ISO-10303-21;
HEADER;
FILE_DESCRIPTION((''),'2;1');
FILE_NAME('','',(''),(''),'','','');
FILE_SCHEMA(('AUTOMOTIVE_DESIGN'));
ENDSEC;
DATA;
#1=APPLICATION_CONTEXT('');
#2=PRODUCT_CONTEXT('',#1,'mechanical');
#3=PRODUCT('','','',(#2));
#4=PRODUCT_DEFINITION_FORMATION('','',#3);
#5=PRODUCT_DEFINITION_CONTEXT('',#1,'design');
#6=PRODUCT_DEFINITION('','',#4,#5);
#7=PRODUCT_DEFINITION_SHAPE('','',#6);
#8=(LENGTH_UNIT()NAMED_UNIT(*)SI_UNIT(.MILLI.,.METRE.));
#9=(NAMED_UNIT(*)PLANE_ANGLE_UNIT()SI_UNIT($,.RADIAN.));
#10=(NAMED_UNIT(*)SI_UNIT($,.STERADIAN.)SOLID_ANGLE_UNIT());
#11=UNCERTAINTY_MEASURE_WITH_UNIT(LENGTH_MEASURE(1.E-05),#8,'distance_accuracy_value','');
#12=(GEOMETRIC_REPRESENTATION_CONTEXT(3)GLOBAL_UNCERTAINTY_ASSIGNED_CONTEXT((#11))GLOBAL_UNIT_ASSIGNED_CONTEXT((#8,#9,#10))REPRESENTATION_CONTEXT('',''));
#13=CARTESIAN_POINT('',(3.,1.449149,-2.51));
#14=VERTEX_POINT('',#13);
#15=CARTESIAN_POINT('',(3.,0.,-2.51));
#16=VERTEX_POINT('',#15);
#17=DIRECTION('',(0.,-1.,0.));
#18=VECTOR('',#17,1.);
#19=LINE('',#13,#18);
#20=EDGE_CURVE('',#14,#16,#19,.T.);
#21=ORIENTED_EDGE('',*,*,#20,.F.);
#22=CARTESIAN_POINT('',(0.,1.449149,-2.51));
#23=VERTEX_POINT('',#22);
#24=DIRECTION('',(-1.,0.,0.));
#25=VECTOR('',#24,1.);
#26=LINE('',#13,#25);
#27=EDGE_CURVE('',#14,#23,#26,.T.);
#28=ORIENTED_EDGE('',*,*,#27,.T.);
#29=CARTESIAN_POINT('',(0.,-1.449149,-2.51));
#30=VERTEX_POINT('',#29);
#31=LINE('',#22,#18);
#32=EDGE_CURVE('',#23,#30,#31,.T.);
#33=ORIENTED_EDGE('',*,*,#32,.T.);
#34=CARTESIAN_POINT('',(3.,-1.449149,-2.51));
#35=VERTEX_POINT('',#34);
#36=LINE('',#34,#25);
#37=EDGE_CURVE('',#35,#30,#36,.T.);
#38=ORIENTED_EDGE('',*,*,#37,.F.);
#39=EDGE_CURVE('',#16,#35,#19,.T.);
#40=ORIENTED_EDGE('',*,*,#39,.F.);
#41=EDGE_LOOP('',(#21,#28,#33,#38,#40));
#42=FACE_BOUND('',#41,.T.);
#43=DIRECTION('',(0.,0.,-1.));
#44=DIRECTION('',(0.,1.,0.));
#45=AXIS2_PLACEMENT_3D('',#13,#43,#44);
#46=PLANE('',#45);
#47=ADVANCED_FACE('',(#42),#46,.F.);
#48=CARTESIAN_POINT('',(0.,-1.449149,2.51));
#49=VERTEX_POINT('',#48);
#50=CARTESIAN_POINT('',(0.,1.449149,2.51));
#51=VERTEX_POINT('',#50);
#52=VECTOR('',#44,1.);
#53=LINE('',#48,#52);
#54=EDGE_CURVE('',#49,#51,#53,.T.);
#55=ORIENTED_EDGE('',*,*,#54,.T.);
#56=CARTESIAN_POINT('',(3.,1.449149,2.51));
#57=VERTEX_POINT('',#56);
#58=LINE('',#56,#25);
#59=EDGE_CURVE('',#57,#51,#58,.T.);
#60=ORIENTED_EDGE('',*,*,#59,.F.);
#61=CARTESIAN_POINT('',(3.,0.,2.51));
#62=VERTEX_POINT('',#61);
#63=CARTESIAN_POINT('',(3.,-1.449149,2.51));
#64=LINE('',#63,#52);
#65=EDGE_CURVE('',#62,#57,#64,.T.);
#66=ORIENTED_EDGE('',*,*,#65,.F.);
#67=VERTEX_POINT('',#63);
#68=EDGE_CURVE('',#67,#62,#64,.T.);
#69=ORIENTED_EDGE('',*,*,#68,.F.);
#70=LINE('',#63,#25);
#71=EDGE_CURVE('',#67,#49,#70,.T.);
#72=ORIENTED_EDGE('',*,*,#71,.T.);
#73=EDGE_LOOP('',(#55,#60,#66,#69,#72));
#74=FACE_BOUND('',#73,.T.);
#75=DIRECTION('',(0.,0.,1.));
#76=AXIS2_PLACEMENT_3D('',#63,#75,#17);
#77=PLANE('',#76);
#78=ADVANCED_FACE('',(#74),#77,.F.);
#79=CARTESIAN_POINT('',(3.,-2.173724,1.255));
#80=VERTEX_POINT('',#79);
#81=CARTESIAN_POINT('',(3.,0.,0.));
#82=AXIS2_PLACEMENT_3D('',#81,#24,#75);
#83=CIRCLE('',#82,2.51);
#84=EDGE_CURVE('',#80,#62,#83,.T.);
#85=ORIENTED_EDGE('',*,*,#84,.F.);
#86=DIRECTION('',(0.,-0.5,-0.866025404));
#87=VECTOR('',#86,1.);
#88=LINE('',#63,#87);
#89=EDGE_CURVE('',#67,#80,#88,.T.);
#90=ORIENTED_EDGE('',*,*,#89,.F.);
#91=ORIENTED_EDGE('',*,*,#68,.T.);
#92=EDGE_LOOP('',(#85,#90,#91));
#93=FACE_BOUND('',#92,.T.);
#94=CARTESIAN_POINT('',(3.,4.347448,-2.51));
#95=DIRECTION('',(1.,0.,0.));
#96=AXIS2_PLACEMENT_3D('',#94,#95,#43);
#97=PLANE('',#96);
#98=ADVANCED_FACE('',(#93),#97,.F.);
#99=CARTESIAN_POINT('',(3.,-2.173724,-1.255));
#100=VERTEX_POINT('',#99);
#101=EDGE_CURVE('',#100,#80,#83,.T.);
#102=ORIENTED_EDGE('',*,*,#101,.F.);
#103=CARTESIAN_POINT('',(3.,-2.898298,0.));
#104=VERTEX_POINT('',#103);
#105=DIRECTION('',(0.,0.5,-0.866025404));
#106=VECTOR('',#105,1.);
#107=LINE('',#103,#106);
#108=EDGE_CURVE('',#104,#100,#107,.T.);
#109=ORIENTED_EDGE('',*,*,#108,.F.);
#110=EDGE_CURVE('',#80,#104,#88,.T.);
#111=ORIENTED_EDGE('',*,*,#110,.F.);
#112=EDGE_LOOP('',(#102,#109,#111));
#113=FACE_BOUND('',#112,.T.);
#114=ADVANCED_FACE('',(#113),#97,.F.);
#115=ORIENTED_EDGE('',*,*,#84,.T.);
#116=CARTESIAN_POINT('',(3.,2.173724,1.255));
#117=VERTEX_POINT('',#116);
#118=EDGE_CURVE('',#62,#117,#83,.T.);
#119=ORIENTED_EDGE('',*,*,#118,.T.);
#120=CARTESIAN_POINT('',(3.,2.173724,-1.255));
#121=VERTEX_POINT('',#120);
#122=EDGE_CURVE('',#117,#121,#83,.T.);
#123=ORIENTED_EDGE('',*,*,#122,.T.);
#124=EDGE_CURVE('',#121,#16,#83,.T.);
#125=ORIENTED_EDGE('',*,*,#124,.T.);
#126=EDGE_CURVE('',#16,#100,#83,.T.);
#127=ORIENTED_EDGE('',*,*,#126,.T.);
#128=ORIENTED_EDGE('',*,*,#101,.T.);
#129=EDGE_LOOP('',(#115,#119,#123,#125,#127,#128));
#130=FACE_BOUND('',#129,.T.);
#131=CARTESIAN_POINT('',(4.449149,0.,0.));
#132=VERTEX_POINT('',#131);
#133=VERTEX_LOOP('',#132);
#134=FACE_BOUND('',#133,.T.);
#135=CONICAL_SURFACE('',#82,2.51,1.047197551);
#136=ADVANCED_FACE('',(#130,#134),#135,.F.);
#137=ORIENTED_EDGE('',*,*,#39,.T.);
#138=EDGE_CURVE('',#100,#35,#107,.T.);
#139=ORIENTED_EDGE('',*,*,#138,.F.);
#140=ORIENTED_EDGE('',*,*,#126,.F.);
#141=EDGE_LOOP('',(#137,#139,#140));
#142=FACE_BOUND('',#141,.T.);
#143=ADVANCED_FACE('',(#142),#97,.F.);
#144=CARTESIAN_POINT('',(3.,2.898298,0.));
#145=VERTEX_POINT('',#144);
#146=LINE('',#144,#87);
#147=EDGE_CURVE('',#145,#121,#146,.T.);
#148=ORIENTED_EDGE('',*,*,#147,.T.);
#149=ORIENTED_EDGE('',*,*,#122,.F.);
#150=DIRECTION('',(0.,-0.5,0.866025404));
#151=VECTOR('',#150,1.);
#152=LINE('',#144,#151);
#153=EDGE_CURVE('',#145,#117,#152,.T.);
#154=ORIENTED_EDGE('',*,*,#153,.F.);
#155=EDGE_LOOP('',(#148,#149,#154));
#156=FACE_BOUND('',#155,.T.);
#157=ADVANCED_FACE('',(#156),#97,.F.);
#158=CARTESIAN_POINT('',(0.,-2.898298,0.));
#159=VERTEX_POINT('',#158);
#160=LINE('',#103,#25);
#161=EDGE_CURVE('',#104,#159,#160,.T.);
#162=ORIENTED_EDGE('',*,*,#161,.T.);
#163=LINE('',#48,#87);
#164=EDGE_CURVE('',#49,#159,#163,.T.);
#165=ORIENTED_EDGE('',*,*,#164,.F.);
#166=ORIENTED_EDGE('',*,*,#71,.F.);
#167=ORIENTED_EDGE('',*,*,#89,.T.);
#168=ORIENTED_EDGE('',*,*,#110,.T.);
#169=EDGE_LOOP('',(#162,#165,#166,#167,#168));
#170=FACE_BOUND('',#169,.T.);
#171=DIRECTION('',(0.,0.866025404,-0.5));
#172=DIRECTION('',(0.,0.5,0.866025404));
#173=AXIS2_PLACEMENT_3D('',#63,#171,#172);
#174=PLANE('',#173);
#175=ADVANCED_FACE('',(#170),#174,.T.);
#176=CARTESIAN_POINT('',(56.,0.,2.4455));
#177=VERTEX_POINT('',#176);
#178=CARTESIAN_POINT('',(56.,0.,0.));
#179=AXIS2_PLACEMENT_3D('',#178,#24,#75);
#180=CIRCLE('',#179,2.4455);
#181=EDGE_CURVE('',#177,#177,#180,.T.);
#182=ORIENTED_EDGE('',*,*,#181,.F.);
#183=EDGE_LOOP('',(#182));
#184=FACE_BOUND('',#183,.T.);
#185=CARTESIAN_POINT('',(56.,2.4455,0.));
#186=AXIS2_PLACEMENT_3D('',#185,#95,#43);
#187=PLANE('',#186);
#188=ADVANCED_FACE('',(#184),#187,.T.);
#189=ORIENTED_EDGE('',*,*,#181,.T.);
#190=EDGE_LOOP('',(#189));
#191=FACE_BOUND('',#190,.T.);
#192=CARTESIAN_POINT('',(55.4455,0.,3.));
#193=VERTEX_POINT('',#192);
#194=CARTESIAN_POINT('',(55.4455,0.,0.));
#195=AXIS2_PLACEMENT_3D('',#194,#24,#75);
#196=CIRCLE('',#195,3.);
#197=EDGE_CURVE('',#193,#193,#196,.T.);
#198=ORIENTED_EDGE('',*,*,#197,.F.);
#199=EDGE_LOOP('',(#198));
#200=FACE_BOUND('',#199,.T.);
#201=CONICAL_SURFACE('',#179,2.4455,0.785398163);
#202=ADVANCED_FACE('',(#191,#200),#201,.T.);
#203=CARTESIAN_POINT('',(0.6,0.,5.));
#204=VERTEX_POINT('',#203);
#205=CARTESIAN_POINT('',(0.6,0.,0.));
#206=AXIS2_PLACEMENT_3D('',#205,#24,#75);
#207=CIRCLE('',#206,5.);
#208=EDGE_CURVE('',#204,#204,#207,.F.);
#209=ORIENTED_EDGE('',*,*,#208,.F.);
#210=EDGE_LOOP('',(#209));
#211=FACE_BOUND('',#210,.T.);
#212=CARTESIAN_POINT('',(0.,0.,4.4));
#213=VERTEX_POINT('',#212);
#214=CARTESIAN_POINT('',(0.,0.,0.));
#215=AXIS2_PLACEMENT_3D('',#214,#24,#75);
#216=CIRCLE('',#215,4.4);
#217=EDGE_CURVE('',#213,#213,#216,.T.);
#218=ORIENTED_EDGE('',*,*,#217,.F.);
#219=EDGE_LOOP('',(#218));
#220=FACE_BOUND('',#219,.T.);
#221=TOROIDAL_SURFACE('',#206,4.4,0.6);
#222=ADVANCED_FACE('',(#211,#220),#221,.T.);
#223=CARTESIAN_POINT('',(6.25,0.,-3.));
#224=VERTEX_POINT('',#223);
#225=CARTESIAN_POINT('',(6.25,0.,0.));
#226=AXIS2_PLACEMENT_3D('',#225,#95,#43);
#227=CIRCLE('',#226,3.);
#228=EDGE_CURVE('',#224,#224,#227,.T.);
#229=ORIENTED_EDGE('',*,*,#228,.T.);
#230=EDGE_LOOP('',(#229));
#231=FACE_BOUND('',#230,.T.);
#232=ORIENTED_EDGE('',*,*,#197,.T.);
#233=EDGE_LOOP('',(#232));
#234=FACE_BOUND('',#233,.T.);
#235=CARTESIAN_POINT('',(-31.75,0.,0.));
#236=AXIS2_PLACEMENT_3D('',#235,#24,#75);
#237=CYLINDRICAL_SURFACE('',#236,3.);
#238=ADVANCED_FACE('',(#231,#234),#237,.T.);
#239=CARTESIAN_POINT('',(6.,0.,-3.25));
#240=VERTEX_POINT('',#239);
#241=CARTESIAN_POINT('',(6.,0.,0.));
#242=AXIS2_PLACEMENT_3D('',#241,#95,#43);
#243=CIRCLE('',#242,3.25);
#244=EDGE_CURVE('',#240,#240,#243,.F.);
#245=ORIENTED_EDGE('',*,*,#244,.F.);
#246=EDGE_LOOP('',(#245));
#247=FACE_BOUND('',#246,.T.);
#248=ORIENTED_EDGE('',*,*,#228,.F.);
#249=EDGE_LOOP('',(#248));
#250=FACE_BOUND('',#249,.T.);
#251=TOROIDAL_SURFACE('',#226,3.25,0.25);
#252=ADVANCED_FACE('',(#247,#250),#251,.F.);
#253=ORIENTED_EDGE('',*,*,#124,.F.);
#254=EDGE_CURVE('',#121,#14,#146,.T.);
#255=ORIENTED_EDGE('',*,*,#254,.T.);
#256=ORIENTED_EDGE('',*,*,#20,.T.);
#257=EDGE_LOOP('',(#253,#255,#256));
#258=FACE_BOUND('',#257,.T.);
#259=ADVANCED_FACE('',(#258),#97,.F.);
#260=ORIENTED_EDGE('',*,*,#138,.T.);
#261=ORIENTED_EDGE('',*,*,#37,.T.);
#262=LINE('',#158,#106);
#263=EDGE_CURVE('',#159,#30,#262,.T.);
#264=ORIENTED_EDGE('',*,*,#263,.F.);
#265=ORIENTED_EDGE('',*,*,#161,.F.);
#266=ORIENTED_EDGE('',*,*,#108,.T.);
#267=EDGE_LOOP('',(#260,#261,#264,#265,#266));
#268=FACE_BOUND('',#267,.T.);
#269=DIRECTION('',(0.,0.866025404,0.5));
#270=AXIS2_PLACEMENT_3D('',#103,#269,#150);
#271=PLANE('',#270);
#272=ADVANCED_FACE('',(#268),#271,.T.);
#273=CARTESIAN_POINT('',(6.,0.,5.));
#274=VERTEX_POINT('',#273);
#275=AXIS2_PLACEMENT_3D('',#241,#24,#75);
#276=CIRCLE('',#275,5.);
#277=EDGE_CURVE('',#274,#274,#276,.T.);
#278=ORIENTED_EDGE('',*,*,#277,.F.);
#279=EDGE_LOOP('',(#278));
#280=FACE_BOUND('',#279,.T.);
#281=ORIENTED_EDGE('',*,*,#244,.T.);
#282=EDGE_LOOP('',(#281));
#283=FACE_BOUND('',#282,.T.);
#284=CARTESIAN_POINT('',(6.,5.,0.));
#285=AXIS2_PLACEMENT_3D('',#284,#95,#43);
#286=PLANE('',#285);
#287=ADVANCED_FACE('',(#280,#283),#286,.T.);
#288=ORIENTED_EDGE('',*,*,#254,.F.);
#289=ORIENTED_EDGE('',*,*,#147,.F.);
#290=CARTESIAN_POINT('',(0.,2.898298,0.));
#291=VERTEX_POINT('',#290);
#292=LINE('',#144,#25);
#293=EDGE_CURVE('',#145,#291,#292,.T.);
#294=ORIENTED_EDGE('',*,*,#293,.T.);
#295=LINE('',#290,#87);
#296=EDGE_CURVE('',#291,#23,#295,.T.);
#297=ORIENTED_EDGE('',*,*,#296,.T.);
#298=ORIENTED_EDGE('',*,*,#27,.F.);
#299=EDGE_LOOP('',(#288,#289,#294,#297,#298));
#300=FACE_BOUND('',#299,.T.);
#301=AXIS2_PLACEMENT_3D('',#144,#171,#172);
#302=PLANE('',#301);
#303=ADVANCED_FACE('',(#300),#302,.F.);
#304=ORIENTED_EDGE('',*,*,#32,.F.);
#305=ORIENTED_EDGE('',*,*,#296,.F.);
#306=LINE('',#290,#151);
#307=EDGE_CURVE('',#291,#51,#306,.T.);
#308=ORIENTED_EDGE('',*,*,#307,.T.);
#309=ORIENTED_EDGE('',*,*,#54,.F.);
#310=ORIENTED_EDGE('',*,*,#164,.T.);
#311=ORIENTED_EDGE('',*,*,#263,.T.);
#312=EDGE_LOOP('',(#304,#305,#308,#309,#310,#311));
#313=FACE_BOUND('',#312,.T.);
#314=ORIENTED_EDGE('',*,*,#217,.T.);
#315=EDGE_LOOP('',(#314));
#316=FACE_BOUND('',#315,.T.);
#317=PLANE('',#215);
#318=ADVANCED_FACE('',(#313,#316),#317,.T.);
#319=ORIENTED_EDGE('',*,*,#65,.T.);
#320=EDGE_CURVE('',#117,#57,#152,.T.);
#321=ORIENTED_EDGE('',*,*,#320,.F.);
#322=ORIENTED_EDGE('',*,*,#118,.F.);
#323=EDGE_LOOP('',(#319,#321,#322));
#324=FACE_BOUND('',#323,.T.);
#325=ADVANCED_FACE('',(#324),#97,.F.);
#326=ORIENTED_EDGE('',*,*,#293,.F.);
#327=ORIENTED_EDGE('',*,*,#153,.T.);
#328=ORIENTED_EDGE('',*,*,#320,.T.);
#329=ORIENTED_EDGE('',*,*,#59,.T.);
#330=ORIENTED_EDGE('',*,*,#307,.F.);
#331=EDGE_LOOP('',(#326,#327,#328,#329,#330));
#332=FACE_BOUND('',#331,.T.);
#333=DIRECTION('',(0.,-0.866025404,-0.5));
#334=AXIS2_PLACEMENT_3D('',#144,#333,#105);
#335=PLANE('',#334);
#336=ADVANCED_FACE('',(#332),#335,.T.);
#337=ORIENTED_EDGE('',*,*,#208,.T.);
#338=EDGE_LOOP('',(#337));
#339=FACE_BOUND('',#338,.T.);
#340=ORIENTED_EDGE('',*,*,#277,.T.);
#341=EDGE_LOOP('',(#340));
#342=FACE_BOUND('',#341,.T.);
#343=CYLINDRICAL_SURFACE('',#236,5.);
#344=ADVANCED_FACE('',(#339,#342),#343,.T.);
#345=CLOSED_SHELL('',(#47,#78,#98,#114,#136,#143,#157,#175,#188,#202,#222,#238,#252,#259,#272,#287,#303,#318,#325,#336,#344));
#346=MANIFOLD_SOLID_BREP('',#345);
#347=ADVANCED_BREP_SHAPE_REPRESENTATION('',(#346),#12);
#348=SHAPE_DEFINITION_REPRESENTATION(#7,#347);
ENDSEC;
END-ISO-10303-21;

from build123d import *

# Parameters (mm, degrees)
FILLET1_R   = 0.25
FILLET2_R   = 0.6
HEX_2_DEPTH = 3


with BuildPart() as part:
    # BodySke → Base-Revolve (revolve)
    with BuildSketch(Plane.XY):
        Polygon((0, 0), (0, 5), (6, 5), (6, 3), (55.4455, 3), (56, 2.4455), (56, 0), align=None)
    revolve(axis=Axis((-31.75, 0, 0), (1, 0, 0)))

    # Fillet1
    fillet1_edges = [part.edges().sort_by_distance(p)[0] for p in [
        (6, -3, 0),
    ]]
    fillet(fillet1_edges, radius=FILLET1_R)

    # Fillet2
    fillet2_edges = [part.edges().sort_by_distance(p)[0] for p in [
        (0, -5, 0),
    ]]
    fillet(fillet2_edges, radius=FILLET2_R)

    # Sketch2 → Hex-PreBroach (revolve, cut)
    with BuildSketch(Plane.XY):
        Polygon((0, 2.51), (3, 2.51), (4.449149176, 0), (0, 0), align=None)
    revolve(axis=Axis((0, 0, 0), (1, 0, 0)), mode=Mode.SUBTRACT)

    # Sketch3 → Hex 2 (cut)
    with BuildSketch(Plane(origin=(0, 0, 0), x_dir=(0, 0.5, 0.866025404), z_dir=(-1, 0, 0))):
        Polygon((1.449149176, 2.51), (-1.449149176, 2.51), (-2.898298351, 0), (-1.449149176, -2.51), (1.449149176, -2.51), (2.898298351, 0), align=None)
    extrude(amount=-HEX_2_DEPTH, mode=Mode.SUBTRACT)


solid = part.part
